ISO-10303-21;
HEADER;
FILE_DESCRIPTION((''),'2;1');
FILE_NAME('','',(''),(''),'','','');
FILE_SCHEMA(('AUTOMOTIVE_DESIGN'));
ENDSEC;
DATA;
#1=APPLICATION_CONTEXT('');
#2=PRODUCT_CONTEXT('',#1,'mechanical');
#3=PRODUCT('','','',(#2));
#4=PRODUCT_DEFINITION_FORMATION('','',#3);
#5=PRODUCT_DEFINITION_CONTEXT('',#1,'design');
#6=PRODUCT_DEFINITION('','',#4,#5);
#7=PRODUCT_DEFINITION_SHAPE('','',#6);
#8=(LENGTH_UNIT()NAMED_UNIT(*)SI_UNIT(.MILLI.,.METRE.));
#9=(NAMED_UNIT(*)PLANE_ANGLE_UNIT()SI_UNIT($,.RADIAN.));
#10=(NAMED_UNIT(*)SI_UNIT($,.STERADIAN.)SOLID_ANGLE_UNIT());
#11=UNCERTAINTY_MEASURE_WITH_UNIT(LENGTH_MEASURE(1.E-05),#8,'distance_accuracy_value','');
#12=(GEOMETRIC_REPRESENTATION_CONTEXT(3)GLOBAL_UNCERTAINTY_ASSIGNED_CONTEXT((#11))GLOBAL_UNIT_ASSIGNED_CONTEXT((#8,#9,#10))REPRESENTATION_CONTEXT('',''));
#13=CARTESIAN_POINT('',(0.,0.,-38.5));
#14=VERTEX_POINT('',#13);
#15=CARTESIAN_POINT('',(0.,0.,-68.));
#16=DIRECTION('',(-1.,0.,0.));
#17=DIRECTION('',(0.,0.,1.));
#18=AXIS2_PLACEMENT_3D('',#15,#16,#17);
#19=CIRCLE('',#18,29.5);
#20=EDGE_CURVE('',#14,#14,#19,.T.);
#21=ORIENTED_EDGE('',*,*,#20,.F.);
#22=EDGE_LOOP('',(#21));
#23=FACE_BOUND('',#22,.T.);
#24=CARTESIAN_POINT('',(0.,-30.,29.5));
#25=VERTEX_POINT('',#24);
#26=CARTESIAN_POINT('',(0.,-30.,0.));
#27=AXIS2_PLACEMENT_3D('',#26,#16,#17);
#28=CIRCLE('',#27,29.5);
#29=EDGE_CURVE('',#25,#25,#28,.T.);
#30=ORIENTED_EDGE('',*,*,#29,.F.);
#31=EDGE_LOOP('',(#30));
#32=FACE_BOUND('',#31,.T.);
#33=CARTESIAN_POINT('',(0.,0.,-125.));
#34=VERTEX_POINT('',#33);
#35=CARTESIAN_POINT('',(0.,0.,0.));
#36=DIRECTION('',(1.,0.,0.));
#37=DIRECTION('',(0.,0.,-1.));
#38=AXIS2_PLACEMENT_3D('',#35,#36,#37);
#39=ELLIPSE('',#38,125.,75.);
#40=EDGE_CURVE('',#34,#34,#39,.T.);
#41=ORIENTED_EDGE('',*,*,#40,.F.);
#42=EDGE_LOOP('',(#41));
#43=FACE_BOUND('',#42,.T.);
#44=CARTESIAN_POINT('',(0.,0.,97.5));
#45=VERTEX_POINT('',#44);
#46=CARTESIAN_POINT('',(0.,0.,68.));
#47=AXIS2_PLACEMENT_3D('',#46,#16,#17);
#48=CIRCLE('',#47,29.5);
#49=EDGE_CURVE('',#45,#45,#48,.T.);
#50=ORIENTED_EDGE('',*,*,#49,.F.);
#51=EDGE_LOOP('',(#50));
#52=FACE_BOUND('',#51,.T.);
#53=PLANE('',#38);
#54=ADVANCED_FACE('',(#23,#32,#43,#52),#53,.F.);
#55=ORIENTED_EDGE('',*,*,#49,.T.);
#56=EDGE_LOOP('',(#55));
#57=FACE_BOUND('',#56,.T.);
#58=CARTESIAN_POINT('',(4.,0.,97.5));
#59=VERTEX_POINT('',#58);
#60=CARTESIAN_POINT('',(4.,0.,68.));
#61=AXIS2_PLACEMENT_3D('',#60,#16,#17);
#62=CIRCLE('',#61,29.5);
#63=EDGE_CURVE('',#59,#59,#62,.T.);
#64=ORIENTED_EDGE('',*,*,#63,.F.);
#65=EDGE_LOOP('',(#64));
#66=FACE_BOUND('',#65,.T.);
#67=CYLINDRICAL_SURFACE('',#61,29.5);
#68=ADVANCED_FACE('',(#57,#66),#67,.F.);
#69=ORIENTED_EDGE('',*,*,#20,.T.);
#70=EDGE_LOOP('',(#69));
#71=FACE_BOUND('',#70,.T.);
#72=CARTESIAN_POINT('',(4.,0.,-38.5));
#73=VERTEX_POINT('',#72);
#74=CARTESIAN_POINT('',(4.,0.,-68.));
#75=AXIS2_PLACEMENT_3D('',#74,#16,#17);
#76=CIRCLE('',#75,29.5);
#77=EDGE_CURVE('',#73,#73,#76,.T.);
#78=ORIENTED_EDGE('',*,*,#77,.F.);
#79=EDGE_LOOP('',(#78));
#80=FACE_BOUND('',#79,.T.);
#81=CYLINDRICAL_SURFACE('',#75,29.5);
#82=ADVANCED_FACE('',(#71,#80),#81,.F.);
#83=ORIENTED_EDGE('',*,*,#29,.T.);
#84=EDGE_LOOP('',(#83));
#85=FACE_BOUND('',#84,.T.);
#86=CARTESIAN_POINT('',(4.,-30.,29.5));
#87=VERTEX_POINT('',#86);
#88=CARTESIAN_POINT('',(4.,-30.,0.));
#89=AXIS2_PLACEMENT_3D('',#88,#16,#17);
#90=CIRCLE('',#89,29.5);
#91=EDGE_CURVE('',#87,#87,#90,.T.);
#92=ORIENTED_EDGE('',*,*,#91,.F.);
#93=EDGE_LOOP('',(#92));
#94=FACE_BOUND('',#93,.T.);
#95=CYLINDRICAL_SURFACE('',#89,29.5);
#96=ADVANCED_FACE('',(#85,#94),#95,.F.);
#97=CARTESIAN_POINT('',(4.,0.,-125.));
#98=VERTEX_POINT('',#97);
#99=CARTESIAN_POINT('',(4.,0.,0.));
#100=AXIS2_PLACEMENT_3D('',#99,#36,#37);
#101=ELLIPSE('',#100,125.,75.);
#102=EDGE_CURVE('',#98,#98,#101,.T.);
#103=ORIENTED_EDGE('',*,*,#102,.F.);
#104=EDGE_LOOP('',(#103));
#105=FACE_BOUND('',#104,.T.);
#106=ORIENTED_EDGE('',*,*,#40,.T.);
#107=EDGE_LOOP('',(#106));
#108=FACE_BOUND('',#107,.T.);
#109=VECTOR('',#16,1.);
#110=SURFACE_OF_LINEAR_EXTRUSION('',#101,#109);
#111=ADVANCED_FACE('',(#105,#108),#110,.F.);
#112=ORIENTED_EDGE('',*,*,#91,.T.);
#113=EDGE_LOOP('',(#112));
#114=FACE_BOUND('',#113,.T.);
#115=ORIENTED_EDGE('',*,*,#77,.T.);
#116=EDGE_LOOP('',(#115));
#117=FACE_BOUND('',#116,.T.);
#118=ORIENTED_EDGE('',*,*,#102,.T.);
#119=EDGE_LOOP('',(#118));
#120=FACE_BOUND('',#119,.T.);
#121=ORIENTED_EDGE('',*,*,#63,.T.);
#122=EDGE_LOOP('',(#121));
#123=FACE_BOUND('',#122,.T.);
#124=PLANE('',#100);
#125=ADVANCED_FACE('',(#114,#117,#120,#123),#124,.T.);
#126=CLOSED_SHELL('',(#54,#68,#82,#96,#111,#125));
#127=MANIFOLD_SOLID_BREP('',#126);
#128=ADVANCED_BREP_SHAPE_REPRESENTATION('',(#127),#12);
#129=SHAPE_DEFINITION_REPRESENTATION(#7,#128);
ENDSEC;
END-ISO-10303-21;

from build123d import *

# Parameters (mm, degrees)
SKETCH1_RX          = 125
SKETCH1_RY          = 75
BOSS_EXTRUDE1_DEPTH = 4
SKETCH2_R           = 29.5
CUT_EXTRUDE1_DEPTH  = 5


with BuildPart() as part:
    # Sketch1 → Boss-Extrude1 (new body)
    with BuildSketch(Plane(origin=(0, 0, 0), x_dir=(0, 0, -1), z_dir=(1, 0, 0))):
        with Locations((0, 0)):
            Ellipse(SKETCH1_RX, SKETCH1_RY)
    extrude(amount=BOSS_EXTRUDE1_DEPTH)

    # Sketch2 → Cut-Extrude1 (cut, through all)
    with BuildSketch(Plane.ZY):
        with Locations((68, 0)):
            Circle(SKETCH2_R)
        with Locations((-68, 0)):
            Circle(SKETCH2_R)
        with Locations((0, -30)):
            Circle(SKETCH2_R)
    extrude(amount=-CUT_EXTRUDE1_DEPTH, mode=Mode.SUBTRACT)


solid = part.part
